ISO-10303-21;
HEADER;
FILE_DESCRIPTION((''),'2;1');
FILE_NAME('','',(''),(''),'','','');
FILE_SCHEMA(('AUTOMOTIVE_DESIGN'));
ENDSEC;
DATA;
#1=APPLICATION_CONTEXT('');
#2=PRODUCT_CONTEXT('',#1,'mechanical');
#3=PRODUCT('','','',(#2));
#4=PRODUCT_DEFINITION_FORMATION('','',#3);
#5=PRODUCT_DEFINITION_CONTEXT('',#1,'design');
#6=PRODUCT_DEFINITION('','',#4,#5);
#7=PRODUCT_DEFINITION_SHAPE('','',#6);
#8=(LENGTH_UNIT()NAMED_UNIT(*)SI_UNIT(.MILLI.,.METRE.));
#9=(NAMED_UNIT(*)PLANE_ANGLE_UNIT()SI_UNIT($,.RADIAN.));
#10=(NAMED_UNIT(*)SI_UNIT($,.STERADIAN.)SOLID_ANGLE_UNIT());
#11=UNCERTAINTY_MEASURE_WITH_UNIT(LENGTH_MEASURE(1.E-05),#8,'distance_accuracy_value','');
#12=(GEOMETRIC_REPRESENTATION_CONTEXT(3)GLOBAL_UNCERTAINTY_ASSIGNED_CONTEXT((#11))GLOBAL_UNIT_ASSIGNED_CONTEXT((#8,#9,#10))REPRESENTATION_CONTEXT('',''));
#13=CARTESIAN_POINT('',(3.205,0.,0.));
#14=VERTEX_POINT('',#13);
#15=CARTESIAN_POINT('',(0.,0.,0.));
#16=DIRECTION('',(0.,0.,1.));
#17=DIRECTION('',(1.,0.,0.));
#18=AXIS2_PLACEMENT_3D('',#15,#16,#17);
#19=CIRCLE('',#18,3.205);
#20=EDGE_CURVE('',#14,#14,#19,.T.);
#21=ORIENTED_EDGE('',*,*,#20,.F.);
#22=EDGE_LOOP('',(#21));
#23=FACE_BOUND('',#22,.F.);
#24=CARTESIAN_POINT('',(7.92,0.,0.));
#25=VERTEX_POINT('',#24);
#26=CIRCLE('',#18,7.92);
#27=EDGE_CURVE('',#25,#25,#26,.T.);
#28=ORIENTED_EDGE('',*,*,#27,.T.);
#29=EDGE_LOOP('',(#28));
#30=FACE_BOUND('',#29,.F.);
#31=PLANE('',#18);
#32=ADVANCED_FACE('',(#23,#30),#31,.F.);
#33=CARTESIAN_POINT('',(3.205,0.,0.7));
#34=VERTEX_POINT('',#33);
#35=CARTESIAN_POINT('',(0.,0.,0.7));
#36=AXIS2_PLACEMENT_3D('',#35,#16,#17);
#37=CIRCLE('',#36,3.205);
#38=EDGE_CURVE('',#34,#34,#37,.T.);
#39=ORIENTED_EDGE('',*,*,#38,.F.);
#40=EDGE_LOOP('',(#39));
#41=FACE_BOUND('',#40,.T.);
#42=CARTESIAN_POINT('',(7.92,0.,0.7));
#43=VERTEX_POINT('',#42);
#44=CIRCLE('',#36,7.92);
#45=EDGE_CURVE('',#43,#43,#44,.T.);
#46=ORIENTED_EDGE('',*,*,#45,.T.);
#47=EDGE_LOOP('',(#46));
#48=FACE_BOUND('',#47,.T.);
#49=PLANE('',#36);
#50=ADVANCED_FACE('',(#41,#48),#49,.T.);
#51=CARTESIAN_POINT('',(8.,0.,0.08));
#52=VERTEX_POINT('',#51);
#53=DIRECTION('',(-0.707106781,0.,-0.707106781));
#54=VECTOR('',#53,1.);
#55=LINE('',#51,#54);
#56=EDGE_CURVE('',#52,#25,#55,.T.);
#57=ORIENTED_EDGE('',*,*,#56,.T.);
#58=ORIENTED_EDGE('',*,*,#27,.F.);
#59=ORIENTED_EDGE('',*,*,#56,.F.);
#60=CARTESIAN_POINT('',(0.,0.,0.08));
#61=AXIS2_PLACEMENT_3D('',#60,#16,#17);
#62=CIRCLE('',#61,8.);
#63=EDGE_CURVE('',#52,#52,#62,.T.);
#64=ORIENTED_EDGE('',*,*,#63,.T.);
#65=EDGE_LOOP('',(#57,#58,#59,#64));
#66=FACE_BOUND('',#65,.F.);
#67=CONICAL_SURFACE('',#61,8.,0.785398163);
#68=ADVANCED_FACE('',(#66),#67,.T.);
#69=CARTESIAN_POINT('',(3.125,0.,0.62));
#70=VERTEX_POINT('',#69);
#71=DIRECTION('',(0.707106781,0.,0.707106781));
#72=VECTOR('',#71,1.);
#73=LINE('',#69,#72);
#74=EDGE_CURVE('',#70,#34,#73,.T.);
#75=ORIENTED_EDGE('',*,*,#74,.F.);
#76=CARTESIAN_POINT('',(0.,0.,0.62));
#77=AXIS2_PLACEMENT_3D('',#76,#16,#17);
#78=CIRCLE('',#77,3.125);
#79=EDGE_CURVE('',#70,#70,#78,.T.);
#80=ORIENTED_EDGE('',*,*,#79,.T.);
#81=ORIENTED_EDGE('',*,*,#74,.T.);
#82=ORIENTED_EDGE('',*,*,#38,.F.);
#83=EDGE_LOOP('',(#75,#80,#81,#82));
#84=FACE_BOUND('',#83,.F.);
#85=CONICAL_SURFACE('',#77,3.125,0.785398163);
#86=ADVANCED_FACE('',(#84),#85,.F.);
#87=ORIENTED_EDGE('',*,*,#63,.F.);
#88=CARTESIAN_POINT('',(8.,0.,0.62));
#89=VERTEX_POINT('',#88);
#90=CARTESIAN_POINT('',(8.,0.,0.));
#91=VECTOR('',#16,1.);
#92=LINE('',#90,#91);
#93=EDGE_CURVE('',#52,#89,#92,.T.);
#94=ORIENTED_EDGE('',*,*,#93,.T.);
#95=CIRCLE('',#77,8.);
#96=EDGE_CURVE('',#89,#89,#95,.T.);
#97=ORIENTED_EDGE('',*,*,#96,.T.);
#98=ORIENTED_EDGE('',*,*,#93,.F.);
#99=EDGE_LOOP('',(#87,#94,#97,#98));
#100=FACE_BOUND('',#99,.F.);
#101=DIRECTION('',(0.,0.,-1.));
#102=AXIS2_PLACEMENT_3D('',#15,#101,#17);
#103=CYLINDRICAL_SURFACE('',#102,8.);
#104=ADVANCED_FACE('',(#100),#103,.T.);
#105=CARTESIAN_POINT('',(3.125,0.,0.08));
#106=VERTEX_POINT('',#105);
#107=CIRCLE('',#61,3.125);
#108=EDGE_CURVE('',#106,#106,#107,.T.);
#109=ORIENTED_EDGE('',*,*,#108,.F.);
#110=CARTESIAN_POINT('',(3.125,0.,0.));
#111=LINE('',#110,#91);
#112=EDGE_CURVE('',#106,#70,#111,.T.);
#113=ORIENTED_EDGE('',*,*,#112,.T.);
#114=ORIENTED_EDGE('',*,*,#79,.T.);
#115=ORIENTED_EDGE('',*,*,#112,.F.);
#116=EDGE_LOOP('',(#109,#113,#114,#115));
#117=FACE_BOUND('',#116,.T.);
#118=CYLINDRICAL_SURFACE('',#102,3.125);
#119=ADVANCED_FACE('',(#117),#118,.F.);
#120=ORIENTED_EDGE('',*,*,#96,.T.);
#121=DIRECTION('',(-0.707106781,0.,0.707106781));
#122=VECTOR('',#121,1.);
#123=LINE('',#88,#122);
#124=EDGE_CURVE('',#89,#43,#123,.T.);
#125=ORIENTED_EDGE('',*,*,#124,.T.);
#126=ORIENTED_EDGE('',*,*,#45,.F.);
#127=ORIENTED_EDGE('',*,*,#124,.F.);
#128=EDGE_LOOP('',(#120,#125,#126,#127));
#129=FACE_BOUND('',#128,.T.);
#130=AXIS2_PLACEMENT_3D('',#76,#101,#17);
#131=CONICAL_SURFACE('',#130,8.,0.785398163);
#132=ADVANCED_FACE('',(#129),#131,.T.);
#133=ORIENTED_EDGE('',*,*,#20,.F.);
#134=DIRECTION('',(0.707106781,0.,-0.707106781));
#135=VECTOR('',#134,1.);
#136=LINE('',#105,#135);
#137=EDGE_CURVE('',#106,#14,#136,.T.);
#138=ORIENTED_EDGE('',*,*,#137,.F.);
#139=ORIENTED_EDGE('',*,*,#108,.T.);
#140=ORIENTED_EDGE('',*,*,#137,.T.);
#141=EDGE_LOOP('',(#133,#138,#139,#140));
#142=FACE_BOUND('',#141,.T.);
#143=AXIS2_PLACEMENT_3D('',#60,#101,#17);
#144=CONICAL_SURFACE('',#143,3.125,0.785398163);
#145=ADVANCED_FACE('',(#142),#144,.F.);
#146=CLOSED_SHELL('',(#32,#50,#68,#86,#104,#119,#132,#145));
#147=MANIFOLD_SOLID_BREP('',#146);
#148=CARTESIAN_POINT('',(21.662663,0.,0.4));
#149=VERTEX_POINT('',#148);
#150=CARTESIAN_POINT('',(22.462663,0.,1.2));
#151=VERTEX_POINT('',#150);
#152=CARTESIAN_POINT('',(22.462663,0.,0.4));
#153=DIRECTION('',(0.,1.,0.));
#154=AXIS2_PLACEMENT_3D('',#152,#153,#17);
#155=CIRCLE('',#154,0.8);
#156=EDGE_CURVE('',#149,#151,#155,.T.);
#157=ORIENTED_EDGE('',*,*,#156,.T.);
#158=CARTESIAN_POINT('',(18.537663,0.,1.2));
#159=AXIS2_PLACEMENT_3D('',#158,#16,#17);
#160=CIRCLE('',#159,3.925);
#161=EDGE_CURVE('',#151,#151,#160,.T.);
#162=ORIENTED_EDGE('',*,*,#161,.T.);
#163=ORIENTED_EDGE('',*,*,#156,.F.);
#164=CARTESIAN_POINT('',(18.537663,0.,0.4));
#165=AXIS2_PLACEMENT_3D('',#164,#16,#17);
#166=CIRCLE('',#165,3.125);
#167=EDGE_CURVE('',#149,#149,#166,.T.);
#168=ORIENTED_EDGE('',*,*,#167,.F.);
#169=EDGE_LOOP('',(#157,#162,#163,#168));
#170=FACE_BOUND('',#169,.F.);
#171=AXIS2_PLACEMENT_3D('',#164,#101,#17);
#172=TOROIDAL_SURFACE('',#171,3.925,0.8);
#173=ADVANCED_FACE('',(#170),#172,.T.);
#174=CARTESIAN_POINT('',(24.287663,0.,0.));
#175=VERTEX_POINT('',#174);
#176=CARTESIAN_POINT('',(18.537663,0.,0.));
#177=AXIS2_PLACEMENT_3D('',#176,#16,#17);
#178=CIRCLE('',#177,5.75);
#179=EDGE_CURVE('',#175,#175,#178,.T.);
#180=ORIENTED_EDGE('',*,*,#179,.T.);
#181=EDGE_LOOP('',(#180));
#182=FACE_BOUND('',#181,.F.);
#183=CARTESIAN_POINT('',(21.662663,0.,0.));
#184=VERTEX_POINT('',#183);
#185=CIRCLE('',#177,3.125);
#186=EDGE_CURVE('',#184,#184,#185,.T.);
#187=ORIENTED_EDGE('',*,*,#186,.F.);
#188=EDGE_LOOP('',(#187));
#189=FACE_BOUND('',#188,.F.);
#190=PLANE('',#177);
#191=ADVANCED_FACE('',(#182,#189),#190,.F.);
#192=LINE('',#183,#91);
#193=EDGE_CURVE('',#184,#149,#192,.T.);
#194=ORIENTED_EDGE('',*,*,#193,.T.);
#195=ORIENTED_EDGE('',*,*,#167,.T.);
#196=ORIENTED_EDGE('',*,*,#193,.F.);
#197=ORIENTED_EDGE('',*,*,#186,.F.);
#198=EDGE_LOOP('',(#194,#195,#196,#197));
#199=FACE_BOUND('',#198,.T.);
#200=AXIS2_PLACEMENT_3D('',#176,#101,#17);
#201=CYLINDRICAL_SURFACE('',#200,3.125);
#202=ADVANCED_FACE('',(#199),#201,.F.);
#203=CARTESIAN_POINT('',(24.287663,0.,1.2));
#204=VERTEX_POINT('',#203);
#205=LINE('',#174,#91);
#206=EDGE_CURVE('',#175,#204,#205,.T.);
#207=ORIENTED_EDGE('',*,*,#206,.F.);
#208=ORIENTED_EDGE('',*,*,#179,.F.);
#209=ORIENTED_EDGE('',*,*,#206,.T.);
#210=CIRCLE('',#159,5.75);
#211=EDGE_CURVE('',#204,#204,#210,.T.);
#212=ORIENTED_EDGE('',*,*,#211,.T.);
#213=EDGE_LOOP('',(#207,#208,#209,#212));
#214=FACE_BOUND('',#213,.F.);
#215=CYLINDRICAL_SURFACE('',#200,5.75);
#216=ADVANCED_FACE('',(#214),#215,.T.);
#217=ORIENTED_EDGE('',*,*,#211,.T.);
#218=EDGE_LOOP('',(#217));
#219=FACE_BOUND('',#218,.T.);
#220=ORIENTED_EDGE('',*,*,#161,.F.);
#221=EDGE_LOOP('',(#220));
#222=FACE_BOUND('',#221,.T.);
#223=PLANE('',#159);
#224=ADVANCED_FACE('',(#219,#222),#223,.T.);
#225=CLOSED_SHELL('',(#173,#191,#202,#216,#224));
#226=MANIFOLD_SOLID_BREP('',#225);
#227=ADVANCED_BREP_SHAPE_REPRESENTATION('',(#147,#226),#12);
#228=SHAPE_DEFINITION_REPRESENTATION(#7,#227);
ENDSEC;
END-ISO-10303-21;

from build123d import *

# Parameters (mm, degrees)
F0_R     = 8
F0_R_2   = 3.125
F1_DEPTH = 0.7
F2_SIZE  = 0.08
F0_R_3   = 5.75
F3_DEPTH = 1.2
F4_R     = 0.8


with BuildPart() as f1:
    # F0 (on Top) → F1 (new body)
    with BuildSketch(Plane.XY):
        Circle(F0_R)
        Circle(F0_R_2, mode=Mode.SUBTRACT)
    extrude(amount=F1_DEPTH)

    # F2
    f2_edges = [f1.edges().sort_by_distance(p)[0] for p in [
        (-8, 0, 0),
        (-8, 0, 0.7),
        (-3.125, 0, 0),
        (-3.125, 0, 0.7),
    ]]
    chamfer(f2_edges, length=F2_SIZE)


with BuildPart() as f3:
    # F0 (on Top) → F3 (new body)
    with BuildSketch(Plane.XY):
        with Locations((18.537663, 0)):
            Circle(F0_R_3)
        with Locations((18.537663, 0)):
            Circle(F0_R_2, mode=Mode.SUBTRACT)
    extrude(amount=F3_DEPTH)

    # F4
    f4_edges = [f3.edges().sort_by_distance(p)[0] for p in [
        (15.412663, 0, 1.2),
    ]]
    fillet(f4_edges, radius=F4_R)


solid = Compound([f1.part, f3.part])
